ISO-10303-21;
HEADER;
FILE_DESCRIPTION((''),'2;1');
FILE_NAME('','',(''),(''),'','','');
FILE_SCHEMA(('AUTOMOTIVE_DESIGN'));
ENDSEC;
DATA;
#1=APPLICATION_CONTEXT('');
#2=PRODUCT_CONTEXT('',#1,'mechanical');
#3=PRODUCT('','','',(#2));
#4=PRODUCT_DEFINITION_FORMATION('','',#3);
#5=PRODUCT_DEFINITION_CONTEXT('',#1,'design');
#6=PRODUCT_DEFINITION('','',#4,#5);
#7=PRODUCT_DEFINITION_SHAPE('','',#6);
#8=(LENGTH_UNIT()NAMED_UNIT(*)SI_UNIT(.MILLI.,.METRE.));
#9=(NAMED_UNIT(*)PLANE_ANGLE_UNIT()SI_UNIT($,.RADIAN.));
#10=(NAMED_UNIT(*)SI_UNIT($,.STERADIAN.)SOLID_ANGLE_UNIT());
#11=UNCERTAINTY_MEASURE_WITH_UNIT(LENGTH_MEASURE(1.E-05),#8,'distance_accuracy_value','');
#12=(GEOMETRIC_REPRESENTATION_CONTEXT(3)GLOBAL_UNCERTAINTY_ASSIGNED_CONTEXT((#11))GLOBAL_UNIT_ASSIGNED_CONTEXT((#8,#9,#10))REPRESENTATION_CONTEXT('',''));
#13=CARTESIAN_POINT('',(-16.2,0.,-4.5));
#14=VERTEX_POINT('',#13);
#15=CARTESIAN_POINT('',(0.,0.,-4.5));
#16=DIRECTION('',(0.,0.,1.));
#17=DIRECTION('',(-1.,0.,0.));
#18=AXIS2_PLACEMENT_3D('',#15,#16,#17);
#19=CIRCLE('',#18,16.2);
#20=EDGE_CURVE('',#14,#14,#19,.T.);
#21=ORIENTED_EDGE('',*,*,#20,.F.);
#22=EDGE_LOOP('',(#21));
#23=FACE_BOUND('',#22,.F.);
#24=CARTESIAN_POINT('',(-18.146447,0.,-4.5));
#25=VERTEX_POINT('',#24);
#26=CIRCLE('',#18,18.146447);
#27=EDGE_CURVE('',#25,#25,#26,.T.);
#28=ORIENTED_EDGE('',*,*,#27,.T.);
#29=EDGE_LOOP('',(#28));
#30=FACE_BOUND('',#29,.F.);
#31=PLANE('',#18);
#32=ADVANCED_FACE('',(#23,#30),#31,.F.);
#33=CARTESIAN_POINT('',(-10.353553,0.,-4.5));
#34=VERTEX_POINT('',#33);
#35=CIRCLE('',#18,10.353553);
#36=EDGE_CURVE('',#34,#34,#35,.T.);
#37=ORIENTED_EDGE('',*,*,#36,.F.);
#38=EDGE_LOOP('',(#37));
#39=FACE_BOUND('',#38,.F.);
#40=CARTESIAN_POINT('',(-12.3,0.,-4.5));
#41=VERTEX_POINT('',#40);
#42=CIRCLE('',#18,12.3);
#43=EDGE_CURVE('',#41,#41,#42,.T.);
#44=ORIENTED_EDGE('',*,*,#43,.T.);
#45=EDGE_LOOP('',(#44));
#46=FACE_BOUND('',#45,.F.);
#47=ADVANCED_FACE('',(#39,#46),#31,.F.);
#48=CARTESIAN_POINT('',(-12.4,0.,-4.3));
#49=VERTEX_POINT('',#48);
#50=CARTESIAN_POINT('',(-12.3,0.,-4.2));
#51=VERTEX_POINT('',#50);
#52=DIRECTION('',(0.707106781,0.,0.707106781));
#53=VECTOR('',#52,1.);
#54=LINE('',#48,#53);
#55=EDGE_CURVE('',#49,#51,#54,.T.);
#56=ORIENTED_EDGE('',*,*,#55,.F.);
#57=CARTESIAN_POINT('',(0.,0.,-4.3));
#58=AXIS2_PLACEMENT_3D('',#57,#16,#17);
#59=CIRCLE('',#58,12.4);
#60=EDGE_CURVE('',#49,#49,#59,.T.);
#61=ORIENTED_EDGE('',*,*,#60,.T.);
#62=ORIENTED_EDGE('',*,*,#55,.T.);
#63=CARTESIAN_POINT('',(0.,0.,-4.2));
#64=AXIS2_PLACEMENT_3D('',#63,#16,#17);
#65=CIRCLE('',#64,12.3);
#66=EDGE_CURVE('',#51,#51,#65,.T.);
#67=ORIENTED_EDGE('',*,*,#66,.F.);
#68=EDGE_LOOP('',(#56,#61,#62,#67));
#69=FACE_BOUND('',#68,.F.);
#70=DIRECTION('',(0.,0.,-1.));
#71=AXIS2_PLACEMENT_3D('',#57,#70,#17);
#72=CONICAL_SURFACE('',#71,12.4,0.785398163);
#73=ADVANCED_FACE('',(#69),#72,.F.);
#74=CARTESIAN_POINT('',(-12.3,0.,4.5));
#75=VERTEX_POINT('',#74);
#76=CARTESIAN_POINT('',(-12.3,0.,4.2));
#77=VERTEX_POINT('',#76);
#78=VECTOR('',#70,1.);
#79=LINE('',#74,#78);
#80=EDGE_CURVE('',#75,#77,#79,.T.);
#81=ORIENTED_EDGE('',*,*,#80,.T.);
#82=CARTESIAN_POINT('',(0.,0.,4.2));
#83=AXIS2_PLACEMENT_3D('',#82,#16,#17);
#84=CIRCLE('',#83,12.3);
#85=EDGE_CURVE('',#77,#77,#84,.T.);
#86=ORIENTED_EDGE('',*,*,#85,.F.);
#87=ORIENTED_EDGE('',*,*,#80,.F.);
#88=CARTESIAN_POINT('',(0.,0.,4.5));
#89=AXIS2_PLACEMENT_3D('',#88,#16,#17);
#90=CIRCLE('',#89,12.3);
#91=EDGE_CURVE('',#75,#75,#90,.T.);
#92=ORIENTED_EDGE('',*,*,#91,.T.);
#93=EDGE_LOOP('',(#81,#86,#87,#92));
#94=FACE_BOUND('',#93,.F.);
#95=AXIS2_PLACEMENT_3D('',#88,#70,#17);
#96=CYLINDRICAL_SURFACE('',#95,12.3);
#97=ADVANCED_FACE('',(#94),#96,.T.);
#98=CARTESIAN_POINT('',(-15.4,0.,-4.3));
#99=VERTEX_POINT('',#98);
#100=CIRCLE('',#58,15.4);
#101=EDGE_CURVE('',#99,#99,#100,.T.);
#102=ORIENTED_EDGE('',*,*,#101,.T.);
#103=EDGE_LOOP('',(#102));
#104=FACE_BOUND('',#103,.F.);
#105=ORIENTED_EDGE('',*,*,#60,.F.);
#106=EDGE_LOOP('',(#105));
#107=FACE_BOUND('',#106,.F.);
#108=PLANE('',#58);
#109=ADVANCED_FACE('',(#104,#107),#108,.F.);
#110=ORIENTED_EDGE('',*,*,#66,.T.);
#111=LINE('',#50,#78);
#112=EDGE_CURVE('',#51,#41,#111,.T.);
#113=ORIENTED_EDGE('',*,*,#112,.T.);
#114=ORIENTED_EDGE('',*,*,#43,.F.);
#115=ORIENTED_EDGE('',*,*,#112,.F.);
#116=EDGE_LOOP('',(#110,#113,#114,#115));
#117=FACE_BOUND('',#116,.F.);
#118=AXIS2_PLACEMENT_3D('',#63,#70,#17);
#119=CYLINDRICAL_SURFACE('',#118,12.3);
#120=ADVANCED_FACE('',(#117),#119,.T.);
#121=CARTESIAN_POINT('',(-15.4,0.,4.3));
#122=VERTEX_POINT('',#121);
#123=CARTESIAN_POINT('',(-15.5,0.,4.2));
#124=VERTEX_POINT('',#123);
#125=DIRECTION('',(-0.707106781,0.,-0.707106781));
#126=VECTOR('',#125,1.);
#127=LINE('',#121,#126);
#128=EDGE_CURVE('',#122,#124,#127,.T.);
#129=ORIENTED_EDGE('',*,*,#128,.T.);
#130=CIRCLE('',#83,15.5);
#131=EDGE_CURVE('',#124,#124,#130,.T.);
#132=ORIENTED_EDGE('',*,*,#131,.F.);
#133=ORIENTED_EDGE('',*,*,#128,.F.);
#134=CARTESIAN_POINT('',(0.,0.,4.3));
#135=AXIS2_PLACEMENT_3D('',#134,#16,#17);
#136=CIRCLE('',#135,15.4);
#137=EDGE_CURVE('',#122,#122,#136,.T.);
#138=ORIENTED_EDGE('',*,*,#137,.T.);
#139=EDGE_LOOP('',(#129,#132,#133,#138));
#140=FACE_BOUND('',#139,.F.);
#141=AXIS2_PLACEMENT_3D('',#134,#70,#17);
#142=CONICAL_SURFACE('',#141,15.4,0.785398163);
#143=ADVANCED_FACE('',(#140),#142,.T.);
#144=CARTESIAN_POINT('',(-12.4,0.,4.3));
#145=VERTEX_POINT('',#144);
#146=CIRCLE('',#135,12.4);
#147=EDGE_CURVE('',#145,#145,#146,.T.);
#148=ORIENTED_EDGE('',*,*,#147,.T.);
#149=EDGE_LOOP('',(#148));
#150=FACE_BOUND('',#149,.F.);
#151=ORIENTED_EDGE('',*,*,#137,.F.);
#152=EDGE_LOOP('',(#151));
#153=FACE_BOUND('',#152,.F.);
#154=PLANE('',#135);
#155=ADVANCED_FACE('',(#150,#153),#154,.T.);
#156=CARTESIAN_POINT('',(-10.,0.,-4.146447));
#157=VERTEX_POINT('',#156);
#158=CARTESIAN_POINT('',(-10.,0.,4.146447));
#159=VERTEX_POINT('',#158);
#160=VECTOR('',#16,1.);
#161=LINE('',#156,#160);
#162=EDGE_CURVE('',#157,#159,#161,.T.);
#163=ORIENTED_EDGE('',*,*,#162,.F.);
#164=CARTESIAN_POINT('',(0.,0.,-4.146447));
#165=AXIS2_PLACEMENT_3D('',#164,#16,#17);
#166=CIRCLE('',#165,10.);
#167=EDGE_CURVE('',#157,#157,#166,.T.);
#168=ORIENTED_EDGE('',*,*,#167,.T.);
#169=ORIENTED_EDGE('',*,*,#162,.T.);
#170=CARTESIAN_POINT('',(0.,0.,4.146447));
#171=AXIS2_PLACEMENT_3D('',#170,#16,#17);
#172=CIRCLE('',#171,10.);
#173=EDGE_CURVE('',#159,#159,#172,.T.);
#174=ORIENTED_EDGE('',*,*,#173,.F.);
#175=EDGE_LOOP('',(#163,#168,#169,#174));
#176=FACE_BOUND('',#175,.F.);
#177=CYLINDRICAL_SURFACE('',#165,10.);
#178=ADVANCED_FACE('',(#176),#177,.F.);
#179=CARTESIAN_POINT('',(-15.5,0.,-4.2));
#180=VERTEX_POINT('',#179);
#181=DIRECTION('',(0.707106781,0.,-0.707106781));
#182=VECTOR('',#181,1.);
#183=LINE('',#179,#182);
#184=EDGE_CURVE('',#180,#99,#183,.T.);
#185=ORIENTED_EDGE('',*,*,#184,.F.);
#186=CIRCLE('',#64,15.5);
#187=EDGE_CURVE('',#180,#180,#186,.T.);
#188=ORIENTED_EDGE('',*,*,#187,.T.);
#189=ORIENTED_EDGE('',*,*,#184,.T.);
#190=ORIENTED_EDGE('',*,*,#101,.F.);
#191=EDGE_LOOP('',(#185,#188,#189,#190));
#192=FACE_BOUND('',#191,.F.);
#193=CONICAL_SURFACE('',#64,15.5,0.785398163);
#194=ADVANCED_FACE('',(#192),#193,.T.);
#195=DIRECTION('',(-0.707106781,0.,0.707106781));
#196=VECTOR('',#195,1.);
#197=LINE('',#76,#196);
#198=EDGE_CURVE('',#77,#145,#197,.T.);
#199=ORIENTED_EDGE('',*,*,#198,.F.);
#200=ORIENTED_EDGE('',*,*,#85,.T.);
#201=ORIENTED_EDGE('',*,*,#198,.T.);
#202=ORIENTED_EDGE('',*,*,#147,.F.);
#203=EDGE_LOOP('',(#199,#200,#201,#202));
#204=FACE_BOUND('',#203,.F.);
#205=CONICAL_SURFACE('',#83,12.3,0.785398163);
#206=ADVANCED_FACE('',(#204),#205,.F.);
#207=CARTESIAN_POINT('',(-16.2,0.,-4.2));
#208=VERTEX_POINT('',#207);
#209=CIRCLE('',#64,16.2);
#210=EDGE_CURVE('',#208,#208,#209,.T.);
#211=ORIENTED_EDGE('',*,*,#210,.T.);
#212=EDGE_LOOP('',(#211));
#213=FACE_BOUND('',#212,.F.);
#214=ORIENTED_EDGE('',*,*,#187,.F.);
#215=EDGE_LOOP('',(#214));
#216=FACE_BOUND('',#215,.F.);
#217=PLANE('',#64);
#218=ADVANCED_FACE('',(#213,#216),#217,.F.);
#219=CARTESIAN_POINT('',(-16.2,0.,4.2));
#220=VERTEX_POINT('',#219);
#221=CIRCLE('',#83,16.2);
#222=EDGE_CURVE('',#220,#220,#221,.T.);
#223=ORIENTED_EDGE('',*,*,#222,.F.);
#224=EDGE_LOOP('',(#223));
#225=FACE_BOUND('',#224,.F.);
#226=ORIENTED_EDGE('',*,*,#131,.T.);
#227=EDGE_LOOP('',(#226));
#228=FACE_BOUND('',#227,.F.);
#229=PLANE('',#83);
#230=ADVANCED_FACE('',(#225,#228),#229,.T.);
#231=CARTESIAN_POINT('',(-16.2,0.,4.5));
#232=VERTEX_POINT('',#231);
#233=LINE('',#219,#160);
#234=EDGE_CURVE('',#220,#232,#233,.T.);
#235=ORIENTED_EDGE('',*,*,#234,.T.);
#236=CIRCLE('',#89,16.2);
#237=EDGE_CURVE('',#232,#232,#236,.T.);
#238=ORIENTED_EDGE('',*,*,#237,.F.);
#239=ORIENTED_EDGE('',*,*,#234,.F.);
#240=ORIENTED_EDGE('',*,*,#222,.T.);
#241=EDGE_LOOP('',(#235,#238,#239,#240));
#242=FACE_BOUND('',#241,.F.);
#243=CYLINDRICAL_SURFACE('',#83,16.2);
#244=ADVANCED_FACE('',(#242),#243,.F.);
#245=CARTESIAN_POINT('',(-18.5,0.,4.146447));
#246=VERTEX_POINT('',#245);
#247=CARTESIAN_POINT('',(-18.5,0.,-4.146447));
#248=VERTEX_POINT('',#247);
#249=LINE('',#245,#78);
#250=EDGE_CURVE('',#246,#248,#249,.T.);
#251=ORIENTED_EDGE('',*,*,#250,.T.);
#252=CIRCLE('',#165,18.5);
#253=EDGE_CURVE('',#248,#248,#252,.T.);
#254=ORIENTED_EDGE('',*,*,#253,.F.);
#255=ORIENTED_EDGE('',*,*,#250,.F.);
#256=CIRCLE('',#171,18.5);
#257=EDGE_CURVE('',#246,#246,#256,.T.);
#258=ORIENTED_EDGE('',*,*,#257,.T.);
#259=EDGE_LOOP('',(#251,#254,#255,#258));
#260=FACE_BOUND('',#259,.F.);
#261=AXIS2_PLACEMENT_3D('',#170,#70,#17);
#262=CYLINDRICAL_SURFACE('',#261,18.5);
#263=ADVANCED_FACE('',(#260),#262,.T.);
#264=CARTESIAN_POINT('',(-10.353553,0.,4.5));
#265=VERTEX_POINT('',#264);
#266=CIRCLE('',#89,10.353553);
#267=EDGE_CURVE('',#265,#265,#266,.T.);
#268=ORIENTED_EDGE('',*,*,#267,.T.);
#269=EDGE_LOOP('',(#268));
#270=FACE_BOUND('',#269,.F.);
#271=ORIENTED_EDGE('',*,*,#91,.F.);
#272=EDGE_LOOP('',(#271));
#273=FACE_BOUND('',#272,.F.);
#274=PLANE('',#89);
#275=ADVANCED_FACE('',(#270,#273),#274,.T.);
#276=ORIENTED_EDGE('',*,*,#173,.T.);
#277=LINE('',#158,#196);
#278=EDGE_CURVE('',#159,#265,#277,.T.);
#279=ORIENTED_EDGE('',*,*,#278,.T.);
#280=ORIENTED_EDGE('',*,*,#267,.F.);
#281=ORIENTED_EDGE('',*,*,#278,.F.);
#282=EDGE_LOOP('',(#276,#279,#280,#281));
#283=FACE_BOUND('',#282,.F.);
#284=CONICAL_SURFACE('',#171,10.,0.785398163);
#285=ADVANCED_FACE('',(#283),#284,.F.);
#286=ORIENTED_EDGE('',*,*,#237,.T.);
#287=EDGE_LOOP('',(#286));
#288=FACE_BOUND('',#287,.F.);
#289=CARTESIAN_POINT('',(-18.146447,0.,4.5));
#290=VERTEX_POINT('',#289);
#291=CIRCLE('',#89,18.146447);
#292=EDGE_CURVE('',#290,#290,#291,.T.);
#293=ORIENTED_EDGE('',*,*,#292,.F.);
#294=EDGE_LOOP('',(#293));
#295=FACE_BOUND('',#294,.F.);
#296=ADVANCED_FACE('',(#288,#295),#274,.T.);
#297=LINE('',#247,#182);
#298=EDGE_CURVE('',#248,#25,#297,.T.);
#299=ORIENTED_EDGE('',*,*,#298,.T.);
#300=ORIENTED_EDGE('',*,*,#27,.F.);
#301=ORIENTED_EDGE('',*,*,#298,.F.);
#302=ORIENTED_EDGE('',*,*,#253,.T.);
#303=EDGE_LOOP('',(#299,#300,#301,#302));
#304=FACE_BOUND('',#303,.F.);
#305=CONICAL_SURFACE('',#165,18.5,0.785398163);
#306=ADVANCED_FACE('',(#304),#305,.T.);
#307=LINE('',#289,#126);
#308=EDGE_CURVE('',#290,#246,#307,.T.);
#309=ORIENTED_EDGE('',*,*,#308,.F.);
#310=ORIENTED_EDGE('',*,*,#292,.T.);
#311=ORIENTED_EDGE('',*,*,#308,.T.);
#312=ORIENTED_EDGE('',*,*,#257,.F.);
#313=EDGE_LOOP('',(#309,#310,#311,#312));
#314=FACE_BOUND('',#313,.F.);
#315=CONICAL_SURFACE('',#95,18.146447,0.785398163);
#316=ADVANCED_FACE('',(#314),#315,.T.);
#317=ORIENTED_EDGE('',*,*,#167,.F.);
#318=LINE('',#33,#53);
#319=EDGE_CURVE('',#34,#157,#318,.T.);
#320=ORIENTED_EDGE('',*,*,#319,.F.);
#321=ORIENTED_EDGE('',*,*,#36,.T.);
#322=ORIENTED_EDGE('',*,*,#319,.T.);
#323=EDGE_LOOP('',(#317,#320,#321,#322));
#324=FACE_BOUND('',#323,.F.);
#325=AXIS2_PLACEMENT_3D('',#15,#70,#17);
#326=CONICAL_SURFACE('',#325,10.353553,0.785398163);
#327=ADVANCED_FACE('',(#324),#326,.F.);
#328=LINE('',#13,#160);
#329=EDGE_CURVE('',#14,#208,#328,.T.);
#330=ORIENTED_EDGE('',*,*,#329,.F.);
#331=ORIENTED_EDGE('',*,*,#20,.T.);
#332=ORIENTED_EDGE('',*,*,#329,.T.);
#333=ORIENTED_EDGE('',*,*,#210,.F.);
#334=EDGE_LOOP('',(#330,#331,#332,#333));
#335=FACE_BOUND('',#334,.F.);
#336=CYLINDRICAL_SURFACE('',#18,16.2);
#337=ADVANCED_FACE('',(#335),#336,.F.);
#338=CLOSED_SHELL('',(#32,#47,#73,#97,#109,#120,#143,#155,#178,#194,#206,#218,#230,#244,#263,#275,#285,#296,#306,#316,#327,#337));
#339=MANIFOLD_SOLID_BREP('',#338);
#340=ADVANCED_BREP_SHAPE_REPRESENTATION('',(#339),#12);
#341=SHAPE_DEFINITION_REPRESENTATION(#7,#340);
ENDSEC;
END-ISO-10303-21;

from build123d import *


with BuildPart() as part:
    # Sketch → Revolution (revolve)
    with BuildSketch(Plane.XZ):
        Polygon((-18.5, 4.146447), (-18.5, -4.146447), (-18.146447, -4.5), (-16.2, -4.5), (-16.2, -4.2), (-15.5, -4.2), (-15.4, -4.3), (-12.4, -4.3), (-12.3, -4.2), (-12.3, -4.5), (-10.353553, -4.5), (-10, -4.146447), (-10, 4.146447), (-10.353553, 4.5), (-12.3, 4.5), (-12.3, 4.2), (-12.4, 4.3), (-15.4, 4.3), (-15.5, 4.2), (-16.2, 4.2), (-16.2, 4.5), (-18.146447, 4.5), align=None)
    revolve(axis=Axis((0, 0, 0), (0, 0, 1)))


solid = part.part
